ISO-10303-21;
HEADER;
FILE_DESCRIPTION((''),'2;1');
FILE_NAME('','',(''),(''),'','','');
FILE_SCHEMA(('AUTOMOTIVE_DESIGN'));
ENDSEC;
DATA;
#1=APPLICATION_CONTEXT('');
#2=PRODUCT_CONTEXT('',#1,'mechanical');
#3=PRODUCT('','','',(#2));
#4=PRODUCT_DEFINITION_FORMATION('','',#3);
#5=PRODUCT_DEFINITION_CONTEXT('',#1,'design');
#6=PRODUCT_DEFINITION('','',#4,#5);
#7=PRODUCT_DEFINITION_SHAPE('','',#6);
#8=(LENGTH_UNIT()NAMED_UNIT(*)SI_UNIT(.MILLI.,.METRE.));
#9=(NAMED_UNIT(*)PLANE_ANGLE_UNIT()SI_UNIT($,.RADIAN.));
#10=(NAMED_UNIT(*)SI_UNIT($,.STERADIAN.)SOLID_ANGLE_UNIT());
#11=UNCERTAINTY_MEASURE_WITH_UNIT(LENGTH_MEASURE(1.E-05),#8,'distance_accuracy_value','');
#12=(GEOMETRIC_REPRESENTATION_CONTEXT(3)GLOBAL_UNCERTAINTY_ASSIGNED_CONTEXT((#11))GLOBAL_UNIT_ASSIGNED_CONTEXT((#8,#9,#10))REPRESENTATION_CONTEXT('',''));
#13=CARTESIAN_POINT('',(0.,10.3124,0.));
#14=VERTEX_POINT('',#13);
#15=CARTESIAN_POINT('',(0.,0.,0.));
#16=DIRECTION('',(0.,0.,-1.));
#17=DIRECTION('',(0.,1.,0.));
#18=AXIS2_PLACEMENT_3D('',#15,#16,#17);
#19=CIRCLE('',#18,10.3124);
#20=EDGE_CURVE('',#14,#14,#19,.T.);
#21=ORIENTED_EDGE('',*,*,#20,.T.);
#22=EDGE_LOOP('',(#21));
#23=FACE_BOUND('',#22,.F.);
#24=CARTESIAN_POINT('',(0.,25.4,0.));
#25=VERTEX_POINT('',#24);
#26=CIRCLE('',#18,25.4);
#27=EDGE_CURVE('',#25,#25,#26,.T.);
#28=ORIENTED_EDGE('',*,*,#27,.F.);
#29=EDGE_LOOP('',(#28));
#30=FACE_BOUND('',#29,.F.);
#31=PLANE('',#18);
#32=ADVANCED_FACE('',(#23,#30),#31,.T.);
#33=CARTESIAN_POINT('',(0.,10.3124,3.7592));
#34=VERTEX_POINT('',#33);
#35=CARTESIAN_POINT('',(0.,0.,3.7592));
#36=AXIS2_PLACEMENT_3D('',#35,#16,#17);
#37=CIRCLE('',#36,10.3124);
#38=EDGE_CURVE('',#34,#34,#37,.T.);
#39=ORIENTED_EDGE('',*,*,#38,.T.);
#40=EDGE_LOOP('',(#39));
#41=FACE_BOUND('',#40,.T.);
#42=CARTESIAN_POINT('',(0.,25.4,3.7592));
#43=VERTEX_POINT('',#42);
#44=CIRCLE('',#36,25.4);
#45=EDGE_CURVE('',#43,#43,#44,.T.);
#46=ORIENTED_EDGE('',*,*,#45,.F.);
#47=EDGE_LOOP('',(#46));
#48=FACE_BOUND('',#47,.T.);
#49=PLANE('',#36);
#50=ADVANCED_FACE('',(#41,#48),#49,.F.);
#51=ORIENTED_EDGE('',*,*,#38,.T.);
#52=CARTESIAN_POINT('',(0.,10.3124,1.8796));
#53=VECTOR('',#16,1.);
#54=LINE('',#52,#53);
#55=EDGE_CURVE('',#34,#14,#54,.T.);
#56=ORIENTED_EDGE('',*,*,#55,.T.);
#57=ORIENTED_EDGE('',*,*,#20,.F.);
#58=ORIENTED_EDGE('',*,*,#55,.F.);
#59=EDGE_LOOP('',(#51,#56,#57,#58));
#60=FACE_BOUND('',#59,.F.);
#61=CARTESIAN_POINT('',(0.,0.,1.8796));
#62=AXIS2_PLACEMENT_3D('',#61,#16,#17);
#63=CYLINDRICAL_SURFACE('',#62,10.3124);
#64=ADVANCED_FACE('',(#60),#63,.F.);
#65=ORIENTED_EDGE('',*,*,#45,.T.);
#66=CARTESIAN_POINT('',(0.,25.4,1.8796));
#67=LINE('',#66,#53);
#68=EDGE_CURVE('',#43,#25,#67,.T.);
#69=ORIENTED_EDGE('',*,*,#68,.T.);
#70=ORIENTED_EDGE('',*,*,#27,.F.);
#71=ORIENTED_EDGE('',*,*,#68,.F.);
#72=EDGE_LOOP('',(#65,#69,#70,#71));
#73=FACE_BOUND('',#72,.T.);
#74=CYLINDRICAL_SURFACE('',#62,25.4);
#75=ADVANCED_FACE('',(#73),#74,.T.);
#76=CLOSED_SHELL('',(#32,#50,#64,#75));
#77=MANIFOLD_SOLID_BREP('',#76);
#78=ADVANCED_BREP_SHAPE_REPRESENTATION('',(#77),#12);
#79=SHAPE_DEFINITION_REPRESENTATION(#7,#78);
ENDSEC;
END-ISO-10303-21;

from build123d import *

# Parameters (mm, degrees)
SKETCH1_W = 3.7592
SKETCH1_H = 15.0876


with BuildPart() as part:
    # Sketch1 → Revolve1 (revolve)
    with BuildSketch(Plane(origin=(0, 0, 0), x_dir=(0, 0, -1), z_dir=(1, 0, 0))):
        with Locations((-1.8796, 17.8562)):
            Rectangle(SKETCH1_W, SKETCH1_H)
    revolve(axis=Axis((0, 0, 34.925), (0, 0, -1)))


solid = part.part
